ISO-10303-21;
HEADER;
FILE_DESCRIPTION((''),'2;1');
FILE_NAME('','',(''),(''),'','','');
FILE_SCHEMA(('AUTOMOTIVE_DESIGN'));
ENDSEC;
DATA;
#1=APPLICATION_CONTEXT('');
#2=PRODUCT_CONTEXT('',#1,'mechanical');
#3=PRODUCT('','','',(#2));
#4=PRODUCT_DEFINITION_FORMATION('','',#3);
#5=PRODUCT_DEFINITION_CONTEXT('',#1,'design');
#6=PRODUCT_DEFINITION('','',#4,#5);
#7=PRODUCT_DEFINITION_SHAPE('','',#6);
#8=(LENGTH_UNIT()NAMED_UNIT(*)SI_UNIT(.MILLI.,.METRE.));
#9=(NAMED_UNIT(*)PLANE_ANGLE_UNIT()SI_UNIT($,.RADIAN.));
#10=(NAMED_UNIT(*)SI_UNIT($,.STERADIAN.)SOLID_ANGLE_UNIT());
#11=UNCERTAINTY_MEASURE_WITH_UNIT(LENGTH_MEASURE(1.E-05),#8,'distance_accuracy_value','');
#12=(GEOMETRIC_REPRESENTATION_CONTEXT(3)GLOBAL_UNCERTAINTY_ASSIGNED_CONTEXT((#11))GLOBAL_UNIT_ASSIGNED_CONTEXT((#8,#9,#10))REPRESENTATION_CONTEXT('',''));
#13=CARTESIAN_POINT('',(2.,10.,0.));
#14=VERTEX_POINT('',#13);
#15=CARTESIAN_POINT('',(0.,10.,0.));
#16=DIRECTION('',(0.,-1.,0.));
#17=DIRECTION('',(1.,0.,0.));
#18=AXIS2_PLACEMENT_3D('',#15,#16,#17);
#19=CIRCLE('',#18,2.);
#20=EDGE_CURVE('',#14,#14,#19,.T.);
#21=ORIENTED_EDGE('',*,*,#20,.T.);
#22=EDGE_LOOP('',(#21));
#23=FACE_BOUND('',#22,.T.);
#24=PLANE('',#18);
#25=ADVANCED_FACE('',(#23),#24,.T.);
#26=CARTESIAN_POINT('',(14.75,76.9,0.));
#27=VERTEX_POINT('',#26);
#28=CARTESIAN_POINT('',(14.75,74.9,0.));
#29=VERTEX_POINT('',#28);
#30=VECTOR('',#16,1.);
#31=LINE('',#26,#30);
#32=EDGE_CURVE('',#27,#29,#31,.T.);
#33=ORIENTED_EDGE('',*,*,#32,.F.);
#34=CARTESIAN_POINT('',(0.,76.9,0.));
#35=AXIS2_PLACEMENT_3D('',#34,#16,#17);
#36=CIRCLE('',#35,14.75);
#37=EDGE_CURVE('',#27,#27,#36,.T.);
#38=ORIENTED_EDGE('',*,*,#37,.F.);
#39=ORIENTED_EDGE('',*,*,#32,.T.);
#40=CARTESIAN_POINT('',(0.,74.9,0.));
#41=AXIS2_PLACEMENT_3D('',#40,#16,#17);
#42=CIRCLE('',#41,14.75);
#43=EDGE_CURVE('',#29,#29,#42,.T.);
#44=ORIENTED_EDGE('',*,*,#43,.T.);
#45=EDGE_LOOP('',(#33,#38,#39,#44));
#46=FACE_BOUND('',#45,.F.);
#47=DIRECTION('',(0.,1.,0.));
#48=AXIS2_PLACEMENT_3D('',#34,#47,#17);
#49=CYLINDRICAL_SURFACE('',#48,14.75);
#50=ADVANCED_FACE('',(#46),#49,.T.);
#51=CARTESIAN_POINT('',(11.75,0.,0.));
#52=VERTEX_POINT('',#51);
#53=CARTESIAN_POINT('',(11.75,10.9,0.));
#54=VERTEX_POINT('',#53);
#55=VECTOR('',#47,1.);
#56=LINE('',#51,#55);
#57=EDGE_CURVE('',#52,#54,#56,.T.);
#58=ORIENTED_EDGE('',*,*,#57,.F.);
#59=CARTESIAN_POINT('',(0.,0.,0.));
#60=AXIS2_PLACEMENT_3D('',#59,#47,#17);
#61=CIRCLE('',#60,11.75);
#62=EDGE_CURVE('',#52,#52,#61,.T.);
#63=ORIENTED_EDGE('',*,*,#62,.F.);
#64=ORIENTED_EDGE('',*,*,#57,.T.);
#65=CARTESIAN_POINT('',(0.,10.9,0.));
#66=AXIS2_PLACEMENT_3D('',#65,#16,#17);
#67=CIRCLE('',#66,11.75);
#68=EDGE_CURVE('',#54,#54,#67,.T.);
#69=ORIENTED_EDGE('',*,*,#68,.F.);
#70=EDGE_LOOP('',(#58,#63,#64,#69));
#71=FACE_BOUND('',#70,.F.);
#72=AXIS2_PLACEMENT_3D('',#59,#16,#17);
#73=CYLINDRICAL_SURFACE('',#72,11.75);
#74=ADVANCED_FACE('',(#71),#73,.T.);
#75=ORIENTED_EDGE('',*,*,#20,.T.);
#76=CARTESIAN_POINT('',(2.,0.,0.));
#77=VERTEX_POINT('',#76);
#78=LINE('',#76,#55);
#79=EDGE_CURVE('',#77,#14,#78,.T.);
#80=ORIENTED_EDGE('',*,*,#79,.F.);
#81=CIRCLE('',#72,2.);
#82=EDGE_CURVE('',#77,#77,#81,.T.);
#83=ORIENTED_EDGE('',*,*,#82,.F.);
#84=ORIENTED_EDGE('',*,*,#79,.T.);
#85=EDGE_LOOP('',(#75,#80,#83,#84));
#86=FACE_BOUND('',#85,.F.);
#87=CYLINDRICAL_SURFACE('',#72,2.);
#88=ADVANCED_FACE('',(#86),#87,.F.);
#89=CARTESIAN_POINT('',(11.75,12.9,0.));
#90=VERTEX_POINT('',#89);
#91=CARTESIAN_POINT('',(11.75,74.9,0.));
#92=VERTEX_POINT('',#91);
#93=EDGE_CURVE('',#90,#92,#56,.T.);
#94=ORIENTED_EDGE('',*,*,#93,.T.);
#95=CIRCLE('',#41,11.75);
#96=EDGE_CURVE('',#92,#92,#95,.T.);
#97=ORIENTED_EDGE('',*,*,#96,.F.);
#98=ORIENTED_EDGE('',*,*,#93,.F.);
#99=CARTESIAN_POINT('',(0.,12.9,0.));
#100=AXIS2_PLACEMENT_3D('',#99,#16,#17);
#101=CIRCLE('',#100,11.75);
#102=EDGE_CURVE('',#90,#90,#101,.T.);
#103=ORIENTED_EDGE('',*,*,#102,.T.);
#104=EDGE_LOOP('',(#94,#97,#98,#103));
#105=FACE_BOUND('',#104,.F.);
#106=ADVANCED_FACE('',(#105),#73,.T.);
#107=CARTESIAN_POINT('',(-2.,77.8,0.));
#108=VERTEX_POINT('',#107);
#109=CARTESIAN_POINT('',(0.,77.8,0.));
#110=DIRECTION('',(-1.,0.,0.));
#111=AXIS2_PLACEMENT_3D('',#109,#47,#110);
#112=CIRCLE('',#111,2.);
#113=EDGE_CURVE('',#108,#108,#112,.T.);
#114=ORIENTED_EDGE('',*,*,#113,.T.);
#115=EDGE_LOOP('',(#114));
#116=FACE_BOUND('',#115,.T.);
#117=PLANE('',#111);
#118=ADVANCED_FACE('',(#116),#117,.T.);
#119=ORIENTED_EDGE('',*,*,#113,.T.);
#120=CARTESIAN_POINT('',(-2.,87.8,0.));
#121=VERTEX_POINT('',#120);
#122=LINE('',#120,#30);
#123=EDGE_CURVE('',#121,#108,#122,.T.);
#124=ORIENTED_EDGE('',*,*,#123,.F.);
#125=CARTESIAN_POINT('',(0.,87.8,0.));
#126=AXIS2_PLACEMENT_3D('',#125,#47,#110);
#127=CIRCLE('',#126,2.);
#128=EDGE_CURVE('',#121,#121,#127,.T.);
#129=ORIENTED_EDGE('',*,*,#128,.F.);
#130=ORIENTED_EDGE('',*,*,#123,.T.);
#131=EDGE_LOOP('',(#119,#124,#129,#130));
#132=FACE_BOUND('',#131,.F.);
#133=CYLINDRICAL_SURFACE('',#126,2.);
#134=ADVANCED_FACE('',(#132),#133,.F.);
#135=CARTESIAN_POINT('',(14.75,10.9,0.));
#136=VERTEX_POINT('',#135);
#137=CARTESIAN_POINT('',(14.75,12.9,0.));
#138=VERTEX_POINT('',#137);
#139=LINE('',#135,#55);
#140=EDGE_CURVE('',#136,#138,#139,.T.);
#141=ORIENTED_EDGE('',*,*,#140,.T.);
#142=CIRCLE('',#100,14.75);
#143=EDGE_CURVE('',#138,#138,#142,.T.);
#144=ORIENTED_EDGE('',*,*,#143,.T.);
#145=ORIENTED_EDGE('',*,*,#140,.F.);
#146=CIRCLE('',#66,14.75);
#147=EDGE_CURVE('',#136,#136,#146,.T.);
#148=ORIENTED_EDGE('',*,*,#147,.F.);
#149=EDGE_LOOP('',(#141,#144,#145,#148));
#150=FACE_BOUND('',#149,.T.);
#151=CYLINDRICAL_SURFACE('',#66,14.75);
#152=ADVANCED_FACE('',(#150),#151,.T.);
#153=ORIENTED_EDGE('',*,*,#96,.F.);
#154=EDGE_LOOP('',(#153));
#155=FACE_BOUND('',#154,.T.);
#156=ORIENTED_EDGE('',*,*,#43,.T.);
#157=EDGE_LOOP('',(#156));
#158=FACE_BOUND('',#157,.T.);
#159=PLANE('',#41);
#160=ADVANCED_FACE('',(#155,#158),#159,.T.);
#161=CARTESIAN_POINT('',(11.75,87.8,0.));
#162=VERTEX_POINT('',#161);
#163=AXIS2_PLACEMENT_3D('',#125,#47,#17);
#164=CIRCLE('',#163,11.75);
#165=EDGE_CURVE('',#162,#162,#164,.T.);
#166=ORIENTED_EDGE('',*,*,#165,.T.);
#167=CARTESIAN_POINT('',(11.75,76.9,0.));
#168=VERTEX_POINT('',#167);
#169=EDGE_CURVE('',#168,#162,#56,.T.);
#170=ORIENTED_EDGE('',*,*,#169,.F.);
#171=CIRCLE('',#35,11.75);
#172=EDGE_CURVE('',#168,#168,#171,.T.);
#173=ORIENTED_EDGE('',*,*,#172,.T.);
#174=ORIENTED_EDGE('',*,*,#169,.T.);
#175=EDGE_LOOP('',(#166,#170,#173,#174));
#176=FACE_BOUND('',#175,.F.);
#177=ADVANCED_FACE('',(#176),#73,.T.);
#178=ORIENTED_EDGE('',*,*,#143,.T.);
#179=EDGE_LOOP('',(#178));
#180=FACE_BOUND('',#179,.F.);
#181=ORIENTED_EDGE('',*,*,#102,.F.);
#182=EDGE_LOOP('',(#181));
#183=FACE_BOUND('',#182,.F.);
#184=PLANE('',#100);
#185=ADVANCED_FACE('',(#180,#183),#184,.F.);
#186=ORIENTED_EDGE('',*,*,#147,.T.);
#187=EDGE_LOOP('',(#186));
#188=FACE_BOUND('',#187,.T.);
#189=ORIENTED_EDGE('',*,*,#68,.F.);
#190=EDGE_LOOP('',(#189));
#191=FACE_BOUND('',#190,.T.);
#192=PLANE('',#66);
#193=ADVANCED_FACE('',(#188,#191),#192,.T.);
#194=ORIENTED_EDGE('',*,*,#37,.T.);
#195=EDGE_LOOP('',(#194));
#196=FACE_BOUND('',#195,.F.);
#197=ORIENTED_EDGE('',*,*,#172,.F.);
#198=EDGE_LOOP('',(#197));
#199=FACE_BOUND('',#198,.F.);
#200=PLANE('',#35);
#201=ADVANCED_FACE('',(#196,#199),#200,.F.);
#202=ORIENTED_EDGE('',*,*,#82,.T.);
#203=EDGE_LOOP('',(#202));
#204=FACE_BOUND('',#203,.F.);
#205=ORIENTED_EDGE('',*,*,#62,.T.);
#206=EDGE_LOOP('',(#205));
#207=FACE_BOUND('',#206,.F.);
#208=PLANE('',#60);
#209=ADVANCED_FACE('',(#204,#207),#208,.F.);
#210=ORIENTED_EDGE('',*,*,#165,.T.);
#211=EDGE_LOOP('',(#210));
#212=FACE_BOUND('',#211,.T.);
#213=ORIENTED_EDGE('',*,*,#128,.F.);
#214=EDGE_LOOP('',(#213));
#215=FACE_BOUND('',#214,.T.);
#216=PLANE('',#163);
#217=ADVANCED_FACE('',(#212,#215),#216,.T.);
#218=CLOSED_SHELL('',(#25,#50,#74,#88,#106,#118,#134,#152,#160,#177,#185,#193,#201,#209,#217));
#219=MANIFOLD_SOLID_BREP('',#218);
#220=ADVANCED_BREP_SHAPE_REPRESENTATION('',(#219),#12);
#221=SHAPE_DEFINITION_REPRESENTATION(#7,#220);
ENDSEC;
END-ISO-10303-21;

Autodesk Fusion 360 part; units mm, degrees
sketch "Sketch1" plane through (0, 0, 0) normal (0, 1, 0) x (1, 0, 0)
  circle A0 centre (0, 0) radius 11.75
  dimension "d1" = 23.5
extrude "Extrude1" add sketch "Sketch1" along normal blind 87.8
sketch "Sketch2" plane through (0, 0, 0) normal (0, -1, 0) x (1, 0, 0)
  circle A0 centre (0, 0) radius 11.75
  circle A1 centre (0, 0) radius 2
  dimension "d4" = 4
extrude "Extrude2" cut sketch "Sketch2" against normal blind 10 contours A1
sketch "Sketch3" plane through (0, 87.8, 0) normal (0, 1, 0) x (-1, 0, 0)
  circle A0 centre (0, 0) radius 11.75
  circle A1 centre (0, 0) radius 2
  dimension "d7" = 4
extrude "Extrude3" cut sketch "Sketch3" against normal blind 10 contours A1
sketch "Sketch4" plane through (0, 0, 0) normal (0, -1, 0) x (1, 0, 0)
  circle A0 centre (0, 0) radius 2
  circle A1 centre (0, 0) radius 11.75
  circle A2 centre (0, 0) radius 14.75
  dimension "d10" = 3
extrude "Extrude4" add sketch "Sketch4" against normal blind 2 from surface at -10.9 contours A2
extrude "Extrude5" add sketch "Sketch4" along normal blind 2 from surface at -76.9 contours A2
